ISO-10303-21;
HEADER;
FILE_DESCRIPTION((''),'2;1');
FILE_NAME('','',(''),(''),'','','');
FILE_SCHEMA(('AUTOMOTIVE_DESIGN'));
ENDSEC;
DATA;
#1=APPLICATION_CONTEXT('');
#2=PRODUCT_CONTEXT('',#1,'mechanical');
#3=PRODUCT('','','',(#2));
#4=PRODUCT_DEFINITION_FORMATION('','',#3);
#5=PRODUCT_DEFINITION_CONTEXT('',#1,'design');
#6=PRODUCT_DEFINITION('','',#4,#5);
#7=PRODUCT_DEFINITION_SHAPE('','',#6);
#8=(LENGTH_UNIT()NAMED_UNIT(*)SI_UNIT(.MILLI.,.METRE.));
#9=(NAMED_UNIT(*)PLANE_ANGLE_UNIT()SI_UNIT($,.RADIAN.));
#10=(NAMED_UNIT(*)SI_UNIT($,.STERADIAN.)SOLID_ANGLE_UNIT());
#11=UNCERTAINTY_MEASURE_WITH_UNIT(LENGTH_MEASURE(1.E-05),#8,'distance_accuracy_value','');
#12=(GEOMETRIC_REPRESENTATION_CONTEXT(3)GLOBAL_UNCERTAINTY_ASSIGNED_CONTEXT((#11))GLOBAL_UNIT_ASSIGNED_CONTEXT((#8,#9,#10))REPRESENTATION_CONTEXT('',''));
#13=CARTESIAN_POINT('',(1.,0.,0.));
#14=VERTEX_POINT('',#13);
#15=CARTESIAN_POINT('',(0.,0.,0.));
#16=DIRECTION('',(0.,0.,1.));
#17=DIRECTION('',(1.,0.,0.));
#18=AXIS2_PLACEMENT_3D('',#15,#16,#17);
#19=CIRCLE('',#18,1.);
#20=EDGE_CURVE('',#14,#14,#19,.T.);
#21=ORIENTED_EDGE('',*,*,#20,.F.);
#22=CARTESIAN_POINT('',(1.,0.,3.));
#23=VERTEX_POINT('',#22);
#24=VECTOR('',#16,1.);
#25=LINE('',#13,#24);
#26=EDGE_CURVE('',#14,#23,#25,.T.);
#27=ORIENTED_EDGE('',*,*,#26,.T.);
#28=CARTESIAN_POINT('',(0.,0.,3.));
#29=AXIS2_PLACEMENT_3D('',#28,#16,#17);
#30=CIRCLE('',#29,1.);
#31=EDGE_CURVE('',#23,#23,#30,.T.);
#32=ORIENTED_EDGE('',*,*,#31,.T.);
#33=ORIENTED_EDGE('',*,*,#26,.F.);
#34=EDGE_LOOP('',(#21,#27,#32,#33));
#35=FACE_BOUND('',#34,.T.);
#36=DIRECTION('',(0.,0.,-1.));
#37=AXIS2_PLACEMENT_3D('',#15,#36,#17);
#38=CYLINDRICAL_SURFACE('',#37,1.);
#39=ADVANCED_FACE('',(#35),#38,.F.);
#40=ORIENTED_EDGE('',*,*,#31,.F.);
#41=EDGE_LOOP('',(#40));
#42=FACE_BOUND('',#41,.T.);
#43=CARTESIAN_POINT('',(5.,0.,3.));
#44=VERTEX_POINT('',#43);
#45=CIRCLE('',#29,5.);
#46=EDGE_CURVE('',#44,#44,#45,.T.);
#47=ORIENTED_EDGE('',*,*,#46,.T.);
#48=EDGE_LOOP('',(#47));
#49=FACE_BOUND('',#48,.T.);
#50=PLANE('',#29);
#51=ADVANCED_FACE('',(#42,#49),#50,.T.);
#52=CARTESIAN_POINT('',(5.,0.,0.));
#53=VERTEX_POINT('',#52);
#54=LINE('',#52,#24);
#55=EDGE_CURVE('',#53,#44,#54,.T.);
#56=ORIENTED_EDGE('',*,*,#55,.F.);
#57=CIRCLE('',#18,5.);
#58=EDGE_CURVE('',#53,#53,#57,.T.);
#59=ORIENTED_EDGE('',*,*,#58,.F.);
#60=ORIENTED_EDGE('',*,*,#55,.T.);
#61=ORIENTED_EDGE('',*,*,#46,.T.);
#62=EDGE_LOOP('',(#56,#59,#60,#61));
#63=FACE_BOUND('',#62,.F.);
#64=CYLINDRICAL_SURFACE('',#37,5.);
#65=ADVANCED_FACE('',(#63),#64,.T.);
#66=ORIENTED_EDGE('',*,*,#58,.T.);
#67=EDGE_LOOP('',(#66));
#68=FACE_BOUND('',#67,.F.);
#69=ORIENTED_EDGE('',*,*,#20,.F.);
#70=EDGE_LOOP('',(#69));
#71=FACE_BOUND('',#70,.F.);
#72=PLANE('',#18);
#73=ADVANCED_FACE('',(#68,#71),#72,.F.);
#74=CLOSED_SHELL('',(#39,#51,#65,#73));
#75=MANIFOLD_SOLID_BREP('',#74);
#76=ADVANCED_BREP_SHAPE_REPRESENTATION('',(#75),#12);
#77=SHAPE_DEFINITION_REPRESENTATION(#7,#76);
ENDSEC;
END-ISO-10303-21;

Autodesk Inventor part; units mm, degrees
ref_plane "YZ Plane" through (0, 0, 0) normal (1, 0, 0) x (0, 1, 0)
ref_plane "XZ Plane" through (0, 0, 0) normal (0, 1, 0) x (-1, 0, 0)
ref_plane "XY Plane" through (0, 0, 0) normal (0, 0, 1) x (1, 0, 0)
sketch "Sketch1" plane through (0, 0, 0) normal (0, 0, 1) x (1, 0, 0)
  circle A0 centre (0, 0) radius 5
  circle A1 centre (0, 0) radius 1
  dimension "d0" = 10
  dimension "d1" = 2
extrude "Extrusion1" add sketch "Sketch1" along normal blind 3
properties part number "belt_gear"
